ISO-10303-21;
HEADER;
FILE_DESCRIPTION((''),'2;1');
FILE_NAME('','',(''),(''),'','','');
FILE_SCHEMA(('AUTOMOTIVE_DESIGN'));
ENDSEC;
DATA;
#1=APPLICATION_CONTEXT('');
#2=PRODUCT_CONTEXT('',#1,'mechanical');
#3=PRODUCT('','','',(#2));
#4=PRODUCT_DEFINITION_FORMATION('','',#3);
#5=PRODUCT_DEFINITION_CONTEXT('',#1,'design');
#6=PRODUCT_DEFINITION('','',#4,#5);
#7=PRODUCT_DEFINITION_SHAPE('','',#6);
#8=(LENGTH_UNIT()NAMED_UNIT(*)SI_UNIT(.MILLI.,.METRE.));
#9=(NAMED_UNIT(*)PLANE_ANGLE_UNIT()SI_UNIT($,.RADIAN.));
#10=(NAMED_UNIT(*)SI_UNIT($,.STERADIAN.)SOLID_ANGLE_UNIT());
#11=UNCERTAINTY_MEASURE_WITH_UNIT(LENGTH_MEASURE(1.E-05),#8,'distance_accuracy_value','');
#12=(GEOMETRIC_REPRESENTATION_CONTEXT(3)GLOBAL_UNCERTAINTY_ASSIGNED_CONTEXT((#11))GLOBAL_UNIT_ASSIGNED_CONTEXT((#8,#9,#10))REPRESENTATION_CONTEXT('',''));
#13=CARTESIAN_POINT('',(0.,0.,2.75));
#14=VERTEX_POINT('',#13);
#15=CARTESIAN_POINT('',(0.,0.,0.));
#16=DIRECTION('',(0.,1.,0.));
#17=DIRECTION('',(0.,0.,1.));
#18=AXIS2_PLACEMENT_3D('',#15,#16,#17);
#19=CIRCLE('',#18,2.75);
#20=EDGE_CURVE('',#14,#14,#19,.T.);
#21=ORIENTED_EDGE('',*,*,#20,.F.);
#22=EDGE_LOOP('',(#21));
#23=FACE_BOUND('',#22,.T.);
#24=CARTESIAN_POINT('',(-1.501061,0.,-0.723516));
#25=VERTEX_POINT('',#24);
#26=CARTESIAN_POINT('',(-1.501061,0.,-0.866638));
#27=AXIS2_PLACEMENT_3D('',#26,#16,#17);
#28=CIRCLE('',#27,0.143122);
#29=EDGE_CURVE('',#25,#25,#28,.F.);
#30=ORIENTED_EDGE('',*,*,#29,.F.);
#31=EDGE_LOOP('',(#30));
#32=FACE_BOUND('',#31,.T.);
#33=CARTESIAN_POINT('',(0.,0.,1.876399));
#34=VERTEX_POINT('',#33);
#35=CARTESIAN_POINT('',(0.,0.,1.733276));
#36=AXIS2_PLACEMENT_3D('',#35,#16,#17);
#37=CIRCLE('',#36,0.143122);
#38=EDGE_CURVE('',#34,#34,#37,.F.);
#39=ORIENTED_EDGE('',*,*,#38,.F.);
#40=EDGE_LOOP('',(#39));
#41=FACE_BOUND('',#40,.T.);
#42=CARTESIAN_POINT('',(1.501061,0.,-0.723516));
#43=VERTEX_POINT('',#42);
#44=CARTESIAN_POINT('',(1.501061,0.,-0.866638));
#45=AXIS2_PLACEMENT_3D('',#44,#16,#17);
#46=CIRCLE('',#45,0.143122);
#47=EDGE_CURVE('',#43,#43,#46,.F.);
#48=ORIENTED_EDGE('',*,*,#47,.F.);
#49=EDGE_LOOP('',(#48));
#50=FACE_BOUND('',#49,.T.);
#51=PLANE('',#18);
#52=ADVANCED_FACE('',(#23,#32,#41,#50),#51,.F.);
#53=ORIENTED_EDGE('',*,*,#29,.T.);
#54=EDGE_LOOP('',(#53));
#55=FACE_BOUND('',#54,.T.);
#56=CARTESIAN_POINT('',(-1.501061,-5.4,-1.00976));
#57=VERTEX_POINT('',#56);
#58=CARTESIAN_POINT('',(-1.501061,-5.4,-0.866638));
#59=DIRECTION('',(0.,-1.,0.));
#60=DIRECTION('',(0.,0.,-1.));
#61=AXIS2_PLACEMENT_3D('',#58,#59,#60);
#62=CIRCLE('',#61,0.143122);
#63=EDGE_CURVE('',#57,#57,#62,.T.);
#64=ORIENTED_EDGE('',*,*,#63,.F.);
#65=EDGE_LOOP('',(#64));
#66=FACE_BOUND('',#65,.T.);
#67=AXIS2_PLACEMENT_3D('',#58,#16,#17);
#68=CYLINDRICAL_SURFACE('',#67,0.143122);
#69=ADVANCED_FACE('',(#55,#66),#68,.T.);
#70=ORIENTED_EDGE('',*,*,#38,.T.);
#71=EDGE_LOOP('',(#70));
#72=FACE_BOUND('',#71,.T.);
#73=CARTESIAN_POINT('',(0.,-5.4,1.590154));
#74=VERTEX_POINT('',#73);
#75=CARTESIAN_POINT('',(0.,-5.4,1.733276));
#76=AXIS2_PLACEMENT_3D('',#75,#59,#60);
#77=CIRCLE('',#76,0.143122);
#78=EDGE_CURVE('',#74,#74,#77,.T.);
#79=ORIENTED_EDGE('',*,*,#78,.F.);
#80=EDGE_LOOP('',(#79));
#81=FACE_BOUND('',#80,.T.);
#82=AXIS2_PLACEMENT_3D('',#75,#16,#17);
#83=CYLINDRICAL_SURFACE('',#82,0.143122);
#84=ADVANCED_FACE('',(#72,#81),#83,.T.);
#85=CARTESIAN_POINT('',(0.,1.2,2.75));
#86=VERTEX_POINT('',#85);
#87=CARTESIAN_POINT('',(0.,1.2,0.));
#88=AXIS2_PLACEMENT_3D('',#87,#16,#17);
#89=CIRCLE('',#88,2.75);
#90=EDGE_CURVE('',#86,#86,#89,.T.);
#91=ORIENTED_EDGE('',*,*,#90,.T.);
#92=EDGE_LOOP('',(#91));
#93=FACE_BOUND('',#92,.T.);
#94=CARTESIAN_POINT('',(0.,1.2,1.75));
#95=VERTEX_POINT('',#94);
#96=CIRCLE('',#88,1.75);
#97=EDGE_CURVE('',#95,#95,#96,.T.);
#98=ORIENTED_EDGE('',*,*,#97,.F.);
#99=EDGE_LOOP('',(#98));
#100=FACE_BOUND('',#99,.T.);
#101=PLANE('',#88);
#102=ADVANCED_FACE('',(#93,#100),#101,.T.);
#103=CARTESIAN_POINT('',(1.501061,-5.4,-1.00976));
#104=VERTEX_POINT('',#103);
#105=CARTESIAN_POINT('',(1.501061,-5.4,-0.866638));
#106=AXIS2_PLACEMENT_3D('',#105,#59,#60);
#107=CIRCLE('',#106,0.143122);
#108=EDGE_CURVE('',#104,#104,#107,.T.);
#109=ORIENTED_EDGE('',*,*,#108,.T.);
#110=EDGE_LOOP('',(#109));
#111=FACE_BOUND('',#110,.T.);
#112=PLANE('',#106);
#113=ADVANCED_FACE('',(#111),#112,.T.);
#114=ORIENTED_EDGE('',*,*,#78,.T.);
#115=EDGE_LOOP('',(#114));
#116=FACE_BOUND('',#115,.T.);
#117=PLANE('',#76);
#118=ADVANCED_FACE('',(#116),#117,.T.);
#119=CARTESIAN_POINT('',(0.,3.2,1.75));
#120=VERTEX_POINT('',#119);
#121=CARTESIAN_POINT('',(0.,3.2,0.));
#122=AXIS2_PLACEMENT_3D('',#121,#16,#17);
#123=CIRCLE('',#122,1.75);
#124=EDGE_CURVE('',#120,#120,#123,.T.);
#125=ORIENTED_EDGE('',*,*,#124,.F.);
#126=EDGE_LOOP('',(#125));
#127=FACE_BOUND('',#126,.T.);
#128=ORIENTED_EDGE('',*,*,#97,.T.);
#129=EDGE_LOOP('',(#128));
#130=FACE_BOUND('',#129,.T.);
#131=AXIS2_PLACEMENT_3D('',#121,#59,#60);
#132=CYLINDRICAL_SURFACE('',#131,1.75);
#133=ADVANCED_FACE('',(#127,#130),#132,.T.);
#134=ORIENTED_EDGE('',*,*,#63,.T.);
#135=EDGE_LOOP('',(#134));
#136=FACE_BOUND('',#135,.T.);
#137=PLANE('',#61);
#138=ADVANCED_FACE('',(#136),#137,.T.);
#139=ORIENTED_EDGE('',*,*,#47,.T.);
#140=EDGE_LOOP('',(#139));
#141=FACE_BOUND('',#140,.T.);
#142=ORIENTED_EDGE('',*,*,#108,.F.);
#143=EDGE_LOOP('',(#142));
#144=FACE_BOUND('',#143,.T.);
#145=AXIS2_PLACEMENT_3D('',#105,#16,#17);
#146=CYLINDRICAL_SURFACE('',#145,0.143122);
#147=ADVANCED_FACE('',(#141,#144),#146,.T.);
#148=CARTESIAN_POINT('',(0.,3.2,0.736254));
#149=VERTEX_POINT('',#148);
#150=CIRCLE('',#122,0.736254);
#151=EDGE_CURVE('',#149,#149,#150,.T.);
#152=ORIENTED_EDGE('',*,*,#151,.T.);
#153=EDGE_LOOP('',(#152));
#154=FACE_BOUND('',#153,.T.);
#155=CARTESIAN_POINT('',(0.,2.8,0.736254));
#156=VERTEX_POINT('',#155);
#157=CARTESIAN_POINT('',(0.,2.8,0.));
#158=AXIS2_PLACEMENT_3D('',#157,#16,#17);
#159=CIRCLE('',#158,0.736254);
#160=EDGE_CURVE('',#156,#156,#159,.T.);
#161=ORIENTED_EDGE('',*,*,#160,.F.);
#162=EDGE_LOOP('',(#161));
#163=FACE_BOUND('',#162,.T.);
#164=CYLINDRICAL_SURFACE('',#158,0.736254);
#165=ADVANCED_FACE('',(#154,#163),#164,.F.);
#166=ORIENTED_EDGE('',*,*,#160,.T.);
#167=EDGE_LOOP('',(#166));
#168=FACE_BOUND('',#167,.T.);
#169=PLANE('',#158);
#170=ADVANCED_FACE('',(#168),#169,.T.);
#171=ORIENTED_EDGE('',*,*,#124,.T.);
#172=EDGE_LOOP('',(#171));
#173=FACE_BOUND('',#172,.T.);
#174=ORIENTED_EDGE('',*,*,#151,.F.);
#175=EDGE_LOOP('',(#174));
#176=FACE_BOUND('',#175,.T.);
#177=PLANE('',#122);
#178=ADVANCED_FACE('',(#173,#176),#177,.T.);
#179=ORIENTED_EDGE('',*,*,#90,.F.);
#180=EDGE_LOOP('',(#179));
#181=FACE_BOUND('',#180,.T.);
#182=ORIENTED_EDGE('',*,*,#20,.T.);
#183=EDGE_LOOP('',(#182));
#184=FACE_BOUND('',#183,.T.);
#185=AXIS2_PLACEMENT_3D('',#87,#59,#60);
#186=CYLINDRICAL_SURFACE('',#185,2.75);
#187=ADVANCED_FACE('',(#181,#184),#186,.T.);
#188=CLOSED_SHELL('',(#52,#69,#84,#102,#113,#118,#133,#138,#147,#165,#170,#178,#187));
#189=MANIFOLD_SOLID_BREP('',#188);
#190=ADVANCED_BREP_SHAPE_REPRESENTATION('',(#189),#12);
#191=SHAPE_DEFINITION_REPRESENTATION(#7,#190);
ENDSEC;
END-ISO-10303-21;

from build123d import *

# Parameters (mm, degrees)
SKETCH1_R           = 2.75
BOSS_EXTRUDE1_DEPTH = 1.2
SKETCH2_R           = 1.75
BOSS_EXTRUDE2_DEPTH = 2
SKETCH3_R           = 0.736254348
CUT_EXTRUDE1_DEPTH  = 0.4
SKETCH4_R           = 0.143122077
BOSS_EXTRUDE3_DEPTH = 5.4


with BuildPart() as part:
    # Sketch1 → Boss-Extrude1 (new body)
    with BuildSketch(Plane(origin=(0, 0, 0), x_dir=(1, 0, 0), z_dir=(0, 1, 0))):
        with Locations(Location((0, 0, 0), (0, 0, 270))):
            Circle(SKETCH1_R)
    extrude(amount=BOSS_EXTRUDE1_DEPTH)

    # Sketch2 → Boss-Extrude2 (add)
    with BuildSketch(Plane(origin=(0, 1.2, 0), x_dir=(1, 0, 0), z_dir=(0, 1, 0))):
        with Locations(Location((0, 0, 0), (0, 0, 270))):
            Circle(SKETCH2_R)
    extrude(amount=BOSS_EXTRUDE2_DEPTH)

    # Sketch3 → Cut-Extrude1 (cut)
    with BuildSketch(Plane(origin=(0, 3.2, 0), x_dir=(1, 0, 0), z_dir=(0, 1, 0))):
        with Locations(Location((0, 0, 0), (0, 0, 270))):
            Circle(SKETCH3_R)
    extrude(amount=-CUT_EXTRUDE1_DEPTH, mode=Mode.SUBTRACT)

    # Sketch4 → Boss-Extrude3 (add)
    with BuildSketch(Plane.XZ):
        with Locations(Location((0, 1.733276442, 0), (0, 0, 90))):
            Circle(SKETCH4_R)
        with Locations(Location((1.501061431, -0.866638221, 0), (0, 0, 90))):
            Circle(SKETCH4_R)
        with Locations(Location((-1.501061431, -0.866638221, 0), (0, 0, 90))):
            Circle(SKETCH4_R)
    extrude(amount=BOSS_EXTRUDE3_DEPTH)


solid = part.part
